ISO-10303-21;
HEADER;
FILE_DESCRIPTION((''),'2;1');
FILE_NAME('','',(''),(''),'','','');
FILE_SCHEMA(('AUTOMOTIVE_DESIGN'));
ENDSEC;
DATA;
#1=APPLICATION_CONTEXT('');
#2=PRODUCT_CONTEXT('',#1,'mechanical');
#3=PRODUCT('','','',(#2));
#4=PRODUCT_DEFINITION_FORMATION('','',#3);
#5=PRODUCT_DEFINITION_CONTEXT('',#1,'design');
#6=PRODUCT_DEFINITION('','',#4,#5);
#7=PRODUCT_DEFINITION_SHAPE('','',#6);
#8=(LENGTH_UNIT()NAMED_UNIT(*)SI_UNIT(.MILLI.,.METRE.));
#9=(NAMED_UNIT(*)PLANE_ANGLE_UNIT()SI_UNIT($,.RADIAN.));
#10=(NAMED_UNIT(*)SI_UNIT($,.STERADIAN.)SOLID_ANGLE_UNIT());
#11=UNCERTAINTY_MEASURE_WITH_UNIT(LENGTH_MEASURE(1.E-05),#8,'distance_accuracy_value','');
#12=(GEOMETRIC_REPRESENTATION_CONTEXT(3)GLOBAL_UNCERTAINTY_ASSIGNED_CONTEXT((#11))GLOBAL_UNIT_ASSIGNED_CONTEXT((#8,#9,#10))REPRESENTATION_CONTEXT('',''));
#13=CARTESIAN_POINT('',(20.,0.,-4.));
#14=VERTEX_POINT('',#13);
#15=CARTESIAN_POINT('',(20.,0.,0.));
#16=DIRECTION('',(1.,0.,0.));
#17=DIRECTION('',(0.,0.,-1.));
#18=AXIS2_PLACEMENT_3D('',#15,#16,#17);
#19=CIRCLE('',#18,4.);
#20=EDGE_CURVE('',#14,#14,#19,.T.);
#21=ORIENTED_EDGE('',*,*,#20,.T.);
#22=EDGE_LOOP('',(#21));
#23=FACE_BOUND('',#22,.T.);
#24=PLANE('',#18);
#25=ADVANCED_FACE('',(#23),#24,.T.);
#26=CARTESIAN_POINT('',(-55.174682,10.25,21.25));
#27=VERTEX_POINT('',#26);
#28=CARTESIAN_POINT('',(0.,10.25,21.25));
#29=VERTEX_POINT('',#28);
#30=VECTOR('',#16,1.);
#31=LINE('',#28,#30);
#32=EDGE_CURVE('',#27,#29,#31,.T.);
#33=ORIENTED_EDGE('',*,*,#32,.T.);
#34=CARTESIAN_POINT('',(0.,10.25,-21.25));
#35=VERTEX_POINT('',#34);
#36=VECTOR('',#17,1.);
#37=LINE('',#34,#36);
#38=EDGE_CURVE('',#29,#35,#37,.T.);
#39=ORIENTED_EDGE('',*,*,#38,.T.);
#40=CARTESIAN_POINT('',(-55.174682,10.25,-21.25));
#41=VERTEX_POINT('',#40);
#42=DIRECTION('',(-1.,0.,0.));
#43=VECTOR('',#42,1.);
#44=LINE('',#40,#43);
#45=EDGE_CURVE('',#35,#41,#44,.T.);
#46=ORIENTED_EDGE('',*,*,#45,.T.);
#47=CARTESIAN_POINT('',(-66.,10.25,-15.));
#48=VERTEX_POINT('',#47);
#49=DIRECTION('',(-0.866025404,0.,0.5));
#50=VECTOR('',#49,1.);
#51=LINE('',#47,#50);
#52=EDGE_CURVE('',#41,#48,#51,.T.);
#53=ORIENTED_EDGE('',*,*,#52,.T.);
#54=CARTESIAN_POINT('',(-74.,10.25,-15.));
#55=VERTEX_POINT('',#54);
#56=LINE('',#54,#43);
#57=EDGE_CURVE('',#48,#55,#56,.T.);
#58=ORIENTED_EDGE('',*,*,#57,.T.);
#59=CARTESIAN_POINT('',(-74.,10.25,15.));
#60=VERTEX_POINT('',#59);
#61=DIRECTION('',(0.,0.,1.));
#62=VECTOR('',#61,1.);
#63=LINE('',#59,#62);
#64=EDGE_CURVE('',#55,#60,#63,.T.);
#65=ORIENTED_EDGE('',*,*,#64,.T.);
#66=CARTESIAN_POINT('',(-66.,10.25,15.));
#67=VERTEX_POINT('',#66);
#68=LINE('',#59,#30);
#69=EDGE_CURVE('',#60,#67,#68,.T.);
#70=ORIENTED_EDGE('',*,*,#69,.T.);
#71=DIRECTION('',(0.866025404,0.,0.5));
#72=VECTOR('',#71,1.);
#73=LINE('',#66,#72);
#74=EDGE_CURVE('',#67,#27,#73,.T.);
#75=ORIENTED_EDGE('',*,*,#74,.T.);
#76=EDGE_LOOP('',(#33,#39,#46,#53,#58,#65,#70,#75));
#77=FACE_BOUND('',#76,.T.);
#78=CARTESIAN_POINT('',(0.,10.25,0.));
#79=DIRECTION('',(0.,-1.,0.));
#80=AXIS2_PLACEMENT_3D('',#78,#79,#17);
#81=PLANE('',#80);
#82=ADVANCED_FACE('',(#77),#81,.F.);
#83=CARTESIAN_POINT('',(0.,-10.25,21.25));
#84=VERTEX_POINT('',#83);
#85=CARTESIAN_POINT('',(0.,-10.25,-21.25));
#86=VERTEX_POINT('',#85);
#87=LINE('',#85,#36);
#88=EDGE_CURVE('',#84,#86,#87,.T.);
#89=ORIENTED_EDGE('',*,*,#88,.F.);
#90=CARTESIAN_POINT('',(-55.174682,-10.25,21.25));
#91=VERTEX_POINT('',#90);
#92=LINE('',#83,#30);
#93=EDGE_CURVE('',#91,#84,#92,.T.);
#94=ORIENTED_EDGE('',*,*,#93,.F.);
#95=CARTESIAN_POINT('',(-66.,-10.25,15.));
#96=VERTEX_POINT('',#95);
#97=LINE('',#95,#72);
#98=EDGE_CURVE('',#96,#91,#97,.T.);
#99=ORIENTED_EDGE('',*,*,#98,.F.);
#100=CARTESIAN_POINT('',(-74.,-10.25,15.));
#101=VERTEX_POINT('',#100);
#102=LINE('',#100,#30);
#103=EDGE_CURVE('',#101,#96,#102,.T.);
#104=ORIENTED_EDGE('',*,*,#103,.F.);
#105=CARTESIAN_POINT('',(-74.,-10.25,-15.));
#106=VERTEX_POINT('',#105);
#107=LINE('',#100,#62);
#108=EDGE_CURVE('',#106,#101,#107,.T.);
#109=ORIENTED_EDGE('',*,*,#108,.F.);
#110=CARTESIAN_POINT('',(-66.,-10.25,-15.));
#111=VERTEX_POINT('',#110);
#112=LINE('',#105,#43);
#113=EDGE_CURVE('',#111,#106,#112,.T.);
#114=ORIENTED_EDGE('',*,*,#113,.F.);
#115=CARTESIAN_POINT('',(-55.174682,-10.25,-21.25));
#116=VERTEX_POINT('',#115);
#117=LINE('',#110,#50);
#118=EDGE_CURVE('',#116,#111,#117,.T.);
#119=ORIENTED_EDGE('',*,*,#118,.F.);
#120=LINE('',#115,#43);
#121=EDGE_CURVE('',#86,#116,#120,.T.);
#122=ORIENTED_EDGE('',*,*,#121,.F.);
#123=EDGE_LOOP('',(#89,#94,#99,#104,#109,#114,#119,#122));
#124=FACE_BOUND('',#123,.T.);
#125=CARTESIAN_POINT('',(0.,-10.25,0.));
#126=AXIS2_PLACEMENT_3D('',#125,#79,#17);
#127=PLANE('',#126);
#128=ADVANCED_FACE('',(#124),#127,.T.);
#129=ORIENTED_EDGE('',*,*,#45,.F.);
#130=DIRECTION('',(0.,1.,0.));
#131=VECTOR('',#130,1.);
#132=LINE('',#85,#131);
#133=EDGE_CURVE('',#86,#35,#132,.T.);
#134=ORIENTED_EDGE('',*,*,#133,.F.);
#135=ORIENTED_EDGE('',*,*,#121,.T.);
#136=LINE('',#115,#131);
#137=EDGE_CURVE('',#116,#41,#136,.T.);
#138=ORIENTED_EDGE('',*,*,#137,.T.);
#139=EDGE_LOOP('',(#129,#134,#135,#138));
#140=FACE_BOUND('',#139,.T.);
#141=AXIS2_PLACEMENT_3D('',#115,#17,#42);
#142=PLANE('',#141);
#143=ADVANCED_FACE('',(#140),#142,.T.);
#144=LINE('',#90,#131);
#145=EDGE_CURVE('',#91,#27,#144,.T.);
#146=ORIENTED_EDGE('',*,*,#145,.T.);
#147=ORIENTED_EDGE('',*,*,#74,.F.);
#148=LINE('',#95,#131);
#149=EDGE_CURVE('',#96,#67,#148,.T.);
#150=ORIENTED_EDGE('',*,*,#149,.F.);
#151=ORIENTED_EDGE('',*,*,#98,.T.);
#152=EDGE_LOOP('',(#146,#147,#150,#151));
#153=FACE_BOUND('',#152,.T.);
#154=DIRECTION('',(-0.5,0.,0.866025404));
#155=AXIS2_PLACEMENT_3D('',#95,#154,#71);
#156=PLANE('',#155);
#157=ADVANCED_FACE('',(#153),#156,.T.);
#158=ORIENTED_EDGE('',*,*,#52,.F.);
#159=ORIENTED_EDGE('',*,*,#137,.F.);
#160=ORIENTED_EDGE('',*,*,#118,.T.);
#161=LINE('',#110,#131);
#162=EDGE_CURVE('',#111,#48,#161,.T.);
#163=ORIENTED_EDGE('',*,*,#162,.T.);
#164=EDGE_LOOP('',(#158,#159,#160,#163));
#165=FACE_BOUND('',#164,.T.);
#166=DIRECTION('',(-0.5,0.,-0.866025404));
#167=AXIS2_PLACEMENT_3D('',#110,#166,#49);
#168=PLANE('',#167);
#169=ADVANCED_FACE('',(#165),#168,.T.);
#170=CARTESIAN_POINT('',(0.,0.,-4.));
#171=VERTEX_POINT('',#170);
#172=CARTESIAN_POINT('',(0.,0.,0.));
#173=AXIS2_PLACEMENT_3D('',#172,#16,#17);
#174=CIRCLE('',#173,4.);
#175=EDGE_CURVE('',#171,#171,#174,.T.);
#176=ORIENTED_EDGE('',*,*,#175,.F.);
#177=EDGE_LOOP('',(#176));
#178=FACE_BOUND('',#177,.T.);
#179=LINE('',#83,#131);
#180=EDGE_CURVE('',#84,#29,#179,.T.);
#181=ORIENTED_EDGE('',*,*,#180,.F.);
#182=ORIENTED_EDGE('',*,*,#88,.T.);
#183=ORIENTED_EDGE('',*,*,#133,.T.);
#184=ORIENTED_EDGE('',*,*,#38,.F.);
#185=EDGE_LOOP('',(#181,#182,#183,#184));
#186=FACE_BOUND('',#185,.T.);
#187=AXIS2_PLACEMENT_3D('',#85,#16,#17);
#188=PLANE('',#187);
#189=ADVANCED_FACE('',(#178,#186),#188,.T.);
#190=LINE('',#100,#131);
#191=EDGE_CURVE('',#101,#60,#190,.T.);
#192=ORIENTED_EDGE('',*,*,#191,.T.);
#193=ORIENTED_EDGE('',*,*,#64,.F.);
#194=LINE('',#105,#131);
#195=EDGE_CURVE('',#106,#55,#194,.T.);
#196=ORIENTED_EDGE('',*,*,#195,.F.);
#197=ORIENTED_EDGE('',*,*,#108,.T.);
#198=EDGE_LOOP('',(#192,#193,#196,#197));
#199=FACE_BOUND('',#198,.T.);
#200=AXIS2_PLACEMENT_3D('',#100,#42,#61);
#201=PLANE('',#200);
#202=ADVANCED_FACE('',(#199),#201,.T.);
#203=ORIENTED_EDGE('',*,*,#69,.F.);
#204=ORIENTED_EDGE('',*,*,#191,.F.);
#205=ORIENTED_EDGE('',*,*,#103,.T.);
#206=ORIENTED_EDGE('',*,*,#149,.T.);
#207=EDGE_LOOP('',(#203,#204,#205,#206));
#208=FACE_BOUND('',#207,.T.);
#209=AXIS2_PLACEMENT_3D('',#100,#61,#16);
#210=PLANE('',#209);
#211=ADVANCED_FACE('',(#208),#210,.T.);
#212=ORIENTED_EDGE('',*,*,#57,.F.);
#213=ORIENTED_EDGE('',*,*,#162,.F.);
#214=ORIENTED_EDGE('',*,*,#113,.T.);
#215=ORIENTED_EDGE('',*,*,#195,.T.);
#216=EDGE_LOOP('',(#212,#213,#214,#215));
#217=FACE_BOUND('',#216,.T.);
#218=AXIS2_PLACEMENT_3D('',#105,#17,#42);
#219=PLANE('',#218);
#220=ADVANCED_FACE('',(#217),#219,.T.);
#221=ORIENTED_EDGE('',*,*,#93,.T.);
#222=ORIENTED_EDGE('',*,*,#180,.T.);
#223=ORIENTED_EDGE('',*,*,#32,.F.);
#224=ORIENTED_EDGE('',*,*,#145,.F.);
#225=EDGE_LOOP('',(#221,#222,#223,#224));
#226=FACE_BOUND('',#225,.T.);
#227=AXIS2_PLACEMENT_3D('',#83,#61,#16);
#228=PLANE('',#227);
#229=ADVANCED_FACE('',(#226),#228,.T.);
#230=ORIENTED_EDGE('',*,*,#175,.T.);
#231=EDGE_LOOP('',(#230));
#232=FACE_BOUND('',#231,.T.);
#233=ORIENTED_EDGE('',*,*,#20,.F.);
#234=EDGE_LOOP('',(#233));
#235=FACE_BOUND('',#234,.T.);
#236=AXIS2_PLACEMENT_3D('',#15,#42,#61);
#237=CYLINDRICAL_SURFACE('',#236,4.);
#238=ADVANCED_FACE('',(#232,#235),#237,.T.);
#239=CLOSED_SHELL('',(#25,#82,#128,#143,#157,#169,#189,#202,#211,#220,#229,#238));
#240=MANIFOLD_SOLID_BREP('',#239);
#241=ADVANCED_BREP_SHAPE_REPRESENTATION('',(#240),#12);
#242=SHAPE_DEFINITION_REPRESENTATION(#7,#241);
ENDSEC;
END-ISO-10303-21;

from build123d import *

# Parameters (mm, degrees)
AUFSATZ_LINEAR_AUSTRAGEN1_DEPTH      = 10.25
AUFSATZ_LINEAR_AUSTRAGEN1_DEPTH_BACK = 10.25
SKIZZE2_R                            = 4
AUFSATZ_LINEAR_AUSTRAGEN2_DEPTH      = 20


with BuildPart() as part:
    # Skizze1 → Aufsatz-Linear austragen1 (new, two sides: drawn at the far end of the back side and taken through both)
    with BuildSketch(Plane(origin=(0, 0, 0), x_dir=(1, 0, 0), z_dir=(0, 1, 0)).offset(-AUFSATZ_LINEAR_AUSTRAGEN1_DEPTH_BACK)):
        Polygon((0, 21.25), (0, -21.25), (-55.174682453, -21.25), (-66, -15), (-74, -15), (-74, 15), (-66, 15), (-55.174682453, 21.25), align=None)
    extrude(amount=AUFSATZ_LINEAR_AUSTRAGEN1_DEPTH + AUFSATZ_LINEAR_AUSTRAGEN1_DEPTH_BACK)

    # Skizze2 → Aufsatz-Linear austragen2 (add)
    with BuildSketch(Plane(origin=(0, 0, 0), x_dir=(0, 0, -1), z_dir=(1, 0, 0))):
        Circle(SKIZZE2_R)
    extrude(amount=AUFSATZ_LINEAR_AUSTRAGEN2_DEPTH)


solid = part.part
